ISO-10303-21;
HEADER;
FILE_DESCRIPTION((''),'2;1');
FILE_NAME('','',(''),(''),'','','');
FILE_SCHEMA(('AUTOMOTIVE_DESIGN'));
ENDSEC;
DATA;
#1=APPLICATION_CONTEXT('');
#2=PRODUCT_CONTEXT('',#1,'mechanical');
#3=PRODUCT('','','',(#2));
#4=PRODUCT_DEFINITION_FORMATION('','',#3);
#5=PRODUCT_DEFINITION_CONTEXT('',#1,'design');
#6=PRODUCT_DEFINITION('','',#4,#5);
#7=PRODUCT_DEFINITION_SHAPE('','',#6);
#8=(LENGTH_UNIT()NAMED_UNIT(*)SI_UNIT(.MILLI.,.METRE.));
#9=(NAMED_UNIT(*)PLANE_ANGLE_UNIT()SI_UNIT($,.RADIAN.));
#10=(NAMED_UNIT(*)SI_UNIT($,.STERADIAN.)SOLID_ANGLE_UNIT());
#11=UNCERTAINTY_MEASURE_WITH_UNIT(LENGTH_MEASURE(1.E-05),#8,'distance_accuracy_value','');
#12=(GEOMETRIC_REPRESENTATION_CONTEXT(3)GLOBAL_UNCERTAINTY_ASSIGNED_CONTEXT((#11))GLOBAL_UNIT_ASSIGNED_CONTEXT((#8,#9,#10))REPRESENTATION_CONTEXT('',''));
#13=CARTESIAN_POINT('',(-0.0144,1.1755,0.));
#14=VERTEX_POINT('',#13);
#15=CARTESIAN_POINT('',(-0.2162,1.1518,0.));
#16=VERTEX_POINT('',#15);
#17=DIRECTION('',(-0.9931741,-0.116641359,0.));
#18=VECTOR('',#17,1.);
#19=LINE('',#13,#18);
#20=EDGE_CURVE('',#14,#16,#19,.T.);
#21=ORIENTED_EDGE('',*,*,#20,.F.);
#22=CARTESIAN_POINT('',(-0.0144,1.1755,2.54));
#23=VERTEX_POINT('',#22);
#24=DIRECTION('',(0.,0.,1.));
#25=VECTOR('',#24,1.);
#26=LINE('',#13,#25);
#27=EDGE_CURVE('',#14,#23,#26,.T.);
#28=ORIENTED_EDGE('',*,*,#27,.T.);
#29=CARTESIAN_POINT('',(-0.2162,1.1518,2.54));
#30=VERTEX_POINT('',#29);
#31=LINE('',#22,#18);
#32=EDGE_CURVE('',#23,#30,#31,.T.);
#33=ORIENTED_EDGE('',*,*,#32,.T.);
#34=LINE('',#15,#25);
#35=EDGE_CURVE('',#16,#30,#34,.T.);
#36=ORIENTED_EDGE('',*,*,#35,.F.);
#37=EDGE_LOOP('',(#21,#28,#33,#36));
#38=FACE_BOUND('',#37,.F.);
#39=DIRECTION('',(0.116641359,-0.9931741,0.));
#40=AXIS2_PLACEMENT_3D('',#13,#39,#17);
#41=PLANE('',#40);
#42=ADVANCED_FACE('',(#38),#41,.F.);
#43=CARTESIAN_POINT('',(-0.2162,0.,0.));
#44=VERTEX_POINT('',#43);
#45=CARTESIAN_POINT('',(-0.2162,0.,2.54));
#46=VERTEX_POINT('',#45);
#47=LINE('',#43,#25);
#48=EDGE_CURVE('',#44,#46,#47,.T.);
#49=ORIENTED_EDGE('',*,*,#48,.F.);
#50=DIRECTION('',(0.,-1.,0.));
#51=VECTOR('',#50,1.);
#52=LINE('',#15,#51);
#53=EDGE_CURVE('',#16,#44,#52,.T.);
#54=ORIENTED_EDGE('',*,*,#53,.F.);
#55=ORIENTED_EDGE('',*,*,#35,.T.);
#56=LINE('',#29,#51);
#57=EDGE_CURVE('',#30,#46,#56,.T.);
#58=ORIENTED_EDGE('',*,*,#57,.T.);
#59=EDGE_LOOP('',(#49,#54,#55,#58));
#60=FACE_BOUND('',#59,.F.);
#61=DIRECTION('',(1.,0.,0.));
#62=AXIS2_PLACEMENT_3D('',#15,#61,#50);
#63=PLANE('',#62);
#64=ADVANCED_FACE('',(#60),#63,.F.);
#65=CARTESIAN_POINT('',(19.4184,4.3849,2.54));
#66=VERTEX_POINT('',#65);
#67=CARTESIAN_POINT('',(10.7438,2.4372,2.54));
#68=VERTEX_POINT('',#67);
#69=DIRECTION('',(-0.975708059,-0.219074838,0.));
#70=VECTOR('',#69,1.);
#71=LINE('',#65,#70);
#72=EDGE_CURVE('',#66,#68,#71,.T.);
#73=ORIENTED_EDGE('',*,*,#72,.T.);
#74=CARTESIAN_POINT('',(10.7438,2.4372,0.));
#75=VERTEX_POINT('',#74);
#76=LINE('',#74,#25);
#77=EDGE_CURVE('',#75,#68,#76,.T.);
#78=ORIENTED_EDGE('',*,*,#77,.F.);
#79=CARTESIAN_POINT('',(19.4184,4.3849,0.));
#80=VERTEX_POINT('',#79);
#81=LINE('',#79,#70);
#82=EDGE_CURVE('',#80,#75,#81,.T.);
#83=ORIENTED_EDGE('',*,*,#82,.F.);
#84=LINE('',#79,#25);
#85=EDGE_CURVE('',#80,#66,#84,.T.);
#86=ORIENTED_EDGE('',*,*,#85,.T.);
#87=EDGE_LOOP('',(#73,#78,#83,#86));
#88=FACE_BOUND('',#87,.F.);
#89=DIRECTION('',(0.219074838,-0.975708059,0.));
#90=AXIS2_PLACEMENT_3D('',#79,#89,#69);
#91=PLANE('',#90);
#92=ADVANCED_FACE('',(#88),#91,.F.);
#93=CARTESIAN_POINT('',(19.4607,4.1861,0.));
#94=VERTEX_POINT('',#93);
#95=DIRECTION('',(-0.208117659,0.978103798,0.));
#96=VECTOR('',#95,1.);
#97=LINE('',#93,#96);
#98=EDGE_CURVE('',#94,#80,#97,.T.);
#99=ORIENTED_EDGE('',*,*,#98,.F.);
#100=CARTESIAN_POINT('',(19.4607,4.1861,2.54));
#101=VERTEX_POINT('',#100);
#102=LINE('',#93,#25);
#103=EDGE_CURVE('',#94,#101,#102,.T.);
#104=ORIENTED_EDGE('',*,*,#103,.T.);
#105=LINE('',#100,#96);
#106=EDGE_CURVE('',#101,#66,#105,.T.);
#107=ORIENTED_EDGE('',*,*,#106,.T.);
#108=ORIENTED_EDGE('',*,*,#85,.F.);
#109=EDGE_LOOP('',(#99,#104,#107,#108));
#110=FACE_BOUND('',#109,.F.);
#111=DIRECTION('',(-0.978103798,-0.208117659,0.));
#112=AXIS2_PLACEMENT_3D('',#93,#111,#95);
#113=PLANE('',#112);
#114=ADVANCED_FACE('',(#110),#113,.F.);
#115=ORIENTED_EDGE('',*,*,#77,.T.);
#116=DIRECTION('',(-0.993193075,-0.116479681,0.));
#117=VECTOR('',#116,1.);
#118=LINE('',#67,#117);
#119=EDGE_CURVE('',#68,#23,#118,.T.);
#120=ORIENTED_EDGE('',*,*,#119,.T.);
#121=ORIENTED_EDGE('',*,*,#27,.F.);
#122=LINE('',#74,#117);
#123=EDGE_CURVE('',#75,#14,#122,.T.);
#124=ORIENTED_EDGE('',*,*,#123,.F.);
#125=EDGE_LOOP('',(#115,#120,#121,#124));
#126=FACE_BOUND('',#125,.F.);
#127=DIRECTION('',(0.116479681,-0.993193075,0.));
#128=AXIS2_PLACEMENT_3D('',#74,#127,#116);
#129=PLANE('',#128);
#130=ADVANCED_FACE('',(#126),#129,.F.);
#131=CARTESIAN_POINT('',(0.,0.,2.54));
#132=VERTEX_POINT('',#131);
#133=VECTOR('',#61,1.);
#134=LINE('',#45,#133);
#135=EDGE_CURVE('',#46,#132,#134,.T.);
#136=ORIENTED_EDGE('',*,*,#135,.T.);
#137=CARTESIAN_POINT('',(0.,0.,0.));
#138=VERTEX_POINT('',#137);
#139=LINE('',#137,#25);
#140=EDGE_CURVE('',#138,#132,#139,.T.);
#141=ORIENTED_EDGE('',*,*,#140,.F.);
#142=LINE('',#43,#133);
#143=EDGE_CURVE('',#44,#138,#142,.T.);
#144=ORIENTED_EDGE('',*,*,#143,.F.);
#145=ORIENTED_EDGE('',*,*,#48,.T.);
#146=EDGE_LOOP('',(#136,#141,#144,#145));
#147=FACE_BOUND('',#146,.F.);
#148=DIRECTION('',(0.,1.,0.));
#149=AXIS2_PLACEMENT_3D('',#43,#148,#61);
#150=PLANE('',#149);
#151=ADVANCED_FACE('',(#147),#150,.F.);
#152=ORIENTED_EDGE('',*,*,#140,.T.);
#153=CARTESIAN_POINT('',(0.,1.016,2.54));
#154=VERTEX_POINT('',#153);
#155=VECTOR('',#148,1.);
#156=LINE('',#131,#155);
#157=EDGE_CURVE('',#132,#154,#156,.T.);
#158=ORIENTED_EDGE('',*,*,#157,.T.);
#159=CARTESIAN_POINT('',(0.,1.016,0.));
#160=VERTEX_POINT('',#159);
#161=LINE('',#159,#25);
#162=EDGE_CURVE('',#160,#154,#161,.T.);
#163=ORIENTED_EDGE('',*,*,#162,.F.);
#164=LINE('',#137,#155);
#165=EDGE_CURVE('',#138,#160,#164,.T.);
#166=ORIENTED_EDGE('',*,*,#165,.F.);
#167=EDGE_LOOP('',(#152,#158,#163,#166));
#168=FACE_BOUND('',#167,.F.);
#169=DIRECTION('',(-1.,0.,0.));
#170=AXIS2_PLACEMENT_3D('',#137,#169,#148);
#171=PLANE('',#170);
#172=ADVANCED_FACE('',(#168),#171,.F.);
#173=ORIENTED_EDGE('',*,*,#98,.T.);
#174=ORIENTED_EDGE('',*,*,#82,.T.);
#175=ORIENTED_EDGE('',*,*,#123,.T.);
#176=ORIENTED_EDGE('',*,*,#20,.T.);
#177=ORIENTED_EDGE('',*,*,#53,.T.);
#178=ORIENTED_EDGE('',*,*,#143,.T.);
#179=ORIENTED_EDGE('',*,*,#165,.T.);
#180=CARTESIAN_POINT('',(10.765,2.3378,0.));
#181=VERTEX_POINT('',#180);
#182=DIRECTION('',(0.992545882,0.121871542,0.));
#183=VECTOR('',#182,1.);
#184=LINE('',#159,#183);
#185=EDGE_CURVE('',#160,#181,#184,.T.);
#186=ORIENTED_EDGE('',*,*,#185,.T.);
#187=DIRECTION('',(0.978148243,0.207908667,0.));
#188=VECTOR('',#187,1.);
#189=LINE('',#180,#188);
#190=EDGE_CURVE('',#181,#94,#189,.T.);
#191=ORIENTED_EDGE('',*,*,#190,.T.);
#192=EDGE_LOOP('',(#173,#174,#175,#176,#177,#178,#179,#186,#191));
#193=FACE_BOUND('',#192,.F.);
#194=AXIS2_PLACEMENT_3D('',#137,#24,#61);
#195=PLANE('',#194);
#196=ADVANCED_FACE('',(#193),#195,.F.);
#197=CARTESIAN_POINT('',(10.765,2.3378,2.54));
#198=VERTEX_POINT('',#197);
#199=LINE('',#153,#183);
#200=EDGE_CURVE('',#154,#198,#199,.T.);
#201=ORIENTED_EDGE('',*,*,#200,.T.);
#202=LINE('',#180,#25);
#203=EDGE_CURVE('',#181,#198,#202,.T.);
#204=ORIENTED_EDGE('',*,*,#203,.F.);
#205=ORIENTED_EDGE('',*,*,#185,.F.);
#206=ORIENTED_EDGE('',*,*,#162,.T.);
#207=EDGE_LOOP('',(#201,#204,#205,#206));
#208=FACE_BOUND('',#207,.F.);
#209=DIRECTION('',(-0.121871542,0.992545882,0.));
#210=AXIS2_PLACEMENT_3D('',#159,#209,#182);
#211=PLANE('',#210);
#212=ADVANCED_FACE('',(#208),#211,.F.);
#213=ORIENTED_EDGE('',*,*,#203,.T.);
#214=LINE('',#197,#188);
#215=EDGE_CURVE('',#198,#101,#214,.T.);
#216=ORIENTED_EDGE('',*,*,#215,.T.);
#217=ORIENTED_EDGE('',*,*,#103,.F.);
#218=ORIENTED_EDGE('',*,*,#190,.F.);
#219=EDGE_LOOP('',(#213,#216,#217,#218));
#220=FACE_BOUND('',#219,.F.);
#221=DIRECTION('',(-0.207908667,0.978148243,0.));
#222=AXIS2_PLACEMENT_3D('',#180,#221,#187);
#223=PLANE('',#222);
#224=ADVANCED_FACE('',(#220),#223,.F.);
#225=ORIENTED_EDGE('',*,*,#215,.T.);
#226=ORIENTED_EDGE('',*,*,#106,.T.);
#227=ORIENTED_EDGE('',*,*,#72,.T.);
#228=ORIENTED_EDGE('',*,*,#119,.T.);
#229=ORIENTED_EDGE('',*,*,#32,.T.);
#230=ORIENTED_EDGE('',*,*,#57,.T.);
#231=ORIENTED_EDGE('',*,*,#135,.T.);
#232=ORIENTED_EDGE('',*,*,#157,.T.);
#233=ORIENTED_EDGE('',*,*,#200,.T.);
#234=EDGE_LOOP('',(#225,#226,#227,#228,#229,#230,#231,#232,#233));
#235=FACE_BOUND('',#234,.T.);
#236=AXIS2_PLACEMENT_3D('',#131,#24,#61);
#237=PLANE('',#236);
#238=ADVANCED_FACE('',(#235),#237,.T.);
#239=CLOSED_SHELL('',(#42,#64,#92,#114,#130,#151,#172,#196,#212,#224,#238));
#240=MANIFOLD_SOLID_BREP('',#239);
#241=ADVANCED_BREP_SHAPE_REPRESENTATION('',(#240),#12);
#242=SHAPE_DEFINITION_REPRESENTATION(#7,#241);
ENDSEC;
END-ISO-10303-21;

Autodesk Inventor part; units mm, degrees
ref_plane "YZ Plane" through (0, 0, 0) normal (1, 0, 0) x (0, 1, 0)
ref_plane "XZ Plane" through (0, 0, 0) normal (0, 1, 0) x (-1, 0, 0)
ref_plane "XY Plane" through (0, 0, 0) normal (0, 0, 1) x (1, 0, 0)
sketch "Sketch1" plane through (0, 0, 0) normal (0, 0, 1) x (1, 0, 0)
  line L0 (0, 0) -> (0, 1.016)
  line L1 (0, 1.016) -> (10.765, 2.3378)
  line L2 (10.765, 2.3378) -> (19.4607, 4.1861)
  line L3 (10.765, 2.3378) -> (19.655, 2.3378) construction
  line L4 (19.4607, 4.1861) -> (19.4184, 4.3849)
  line L5 (19.4184, 4.3849) -> (10.7438, 2.4372)
  line L6 (10.7438, 2.4372) -> (-0.0144, 1.1755)
  line L7 (-0.0144, 1.1755) -> (-0.2162, 1.1518)
  line L8 (-0.2162, 1.1518) -> (-0.2162, 0)
  line L9 (-0.2162, 0) -> (0, 0)
  dimension "d0" = 1.016
  dimension "d1" = 10.8458
  dimension "d2" = 97
  dimension "d3" = 8.89
  dimension "d4" = 12
  dimension "d5" = 0.2032
  dimension "d6" = 0.2032
extrude "Extrusion1" add sketch "Sketch1" along normal blind 2.54
properties part number "limitSwitchTrigger" material "Steel"
